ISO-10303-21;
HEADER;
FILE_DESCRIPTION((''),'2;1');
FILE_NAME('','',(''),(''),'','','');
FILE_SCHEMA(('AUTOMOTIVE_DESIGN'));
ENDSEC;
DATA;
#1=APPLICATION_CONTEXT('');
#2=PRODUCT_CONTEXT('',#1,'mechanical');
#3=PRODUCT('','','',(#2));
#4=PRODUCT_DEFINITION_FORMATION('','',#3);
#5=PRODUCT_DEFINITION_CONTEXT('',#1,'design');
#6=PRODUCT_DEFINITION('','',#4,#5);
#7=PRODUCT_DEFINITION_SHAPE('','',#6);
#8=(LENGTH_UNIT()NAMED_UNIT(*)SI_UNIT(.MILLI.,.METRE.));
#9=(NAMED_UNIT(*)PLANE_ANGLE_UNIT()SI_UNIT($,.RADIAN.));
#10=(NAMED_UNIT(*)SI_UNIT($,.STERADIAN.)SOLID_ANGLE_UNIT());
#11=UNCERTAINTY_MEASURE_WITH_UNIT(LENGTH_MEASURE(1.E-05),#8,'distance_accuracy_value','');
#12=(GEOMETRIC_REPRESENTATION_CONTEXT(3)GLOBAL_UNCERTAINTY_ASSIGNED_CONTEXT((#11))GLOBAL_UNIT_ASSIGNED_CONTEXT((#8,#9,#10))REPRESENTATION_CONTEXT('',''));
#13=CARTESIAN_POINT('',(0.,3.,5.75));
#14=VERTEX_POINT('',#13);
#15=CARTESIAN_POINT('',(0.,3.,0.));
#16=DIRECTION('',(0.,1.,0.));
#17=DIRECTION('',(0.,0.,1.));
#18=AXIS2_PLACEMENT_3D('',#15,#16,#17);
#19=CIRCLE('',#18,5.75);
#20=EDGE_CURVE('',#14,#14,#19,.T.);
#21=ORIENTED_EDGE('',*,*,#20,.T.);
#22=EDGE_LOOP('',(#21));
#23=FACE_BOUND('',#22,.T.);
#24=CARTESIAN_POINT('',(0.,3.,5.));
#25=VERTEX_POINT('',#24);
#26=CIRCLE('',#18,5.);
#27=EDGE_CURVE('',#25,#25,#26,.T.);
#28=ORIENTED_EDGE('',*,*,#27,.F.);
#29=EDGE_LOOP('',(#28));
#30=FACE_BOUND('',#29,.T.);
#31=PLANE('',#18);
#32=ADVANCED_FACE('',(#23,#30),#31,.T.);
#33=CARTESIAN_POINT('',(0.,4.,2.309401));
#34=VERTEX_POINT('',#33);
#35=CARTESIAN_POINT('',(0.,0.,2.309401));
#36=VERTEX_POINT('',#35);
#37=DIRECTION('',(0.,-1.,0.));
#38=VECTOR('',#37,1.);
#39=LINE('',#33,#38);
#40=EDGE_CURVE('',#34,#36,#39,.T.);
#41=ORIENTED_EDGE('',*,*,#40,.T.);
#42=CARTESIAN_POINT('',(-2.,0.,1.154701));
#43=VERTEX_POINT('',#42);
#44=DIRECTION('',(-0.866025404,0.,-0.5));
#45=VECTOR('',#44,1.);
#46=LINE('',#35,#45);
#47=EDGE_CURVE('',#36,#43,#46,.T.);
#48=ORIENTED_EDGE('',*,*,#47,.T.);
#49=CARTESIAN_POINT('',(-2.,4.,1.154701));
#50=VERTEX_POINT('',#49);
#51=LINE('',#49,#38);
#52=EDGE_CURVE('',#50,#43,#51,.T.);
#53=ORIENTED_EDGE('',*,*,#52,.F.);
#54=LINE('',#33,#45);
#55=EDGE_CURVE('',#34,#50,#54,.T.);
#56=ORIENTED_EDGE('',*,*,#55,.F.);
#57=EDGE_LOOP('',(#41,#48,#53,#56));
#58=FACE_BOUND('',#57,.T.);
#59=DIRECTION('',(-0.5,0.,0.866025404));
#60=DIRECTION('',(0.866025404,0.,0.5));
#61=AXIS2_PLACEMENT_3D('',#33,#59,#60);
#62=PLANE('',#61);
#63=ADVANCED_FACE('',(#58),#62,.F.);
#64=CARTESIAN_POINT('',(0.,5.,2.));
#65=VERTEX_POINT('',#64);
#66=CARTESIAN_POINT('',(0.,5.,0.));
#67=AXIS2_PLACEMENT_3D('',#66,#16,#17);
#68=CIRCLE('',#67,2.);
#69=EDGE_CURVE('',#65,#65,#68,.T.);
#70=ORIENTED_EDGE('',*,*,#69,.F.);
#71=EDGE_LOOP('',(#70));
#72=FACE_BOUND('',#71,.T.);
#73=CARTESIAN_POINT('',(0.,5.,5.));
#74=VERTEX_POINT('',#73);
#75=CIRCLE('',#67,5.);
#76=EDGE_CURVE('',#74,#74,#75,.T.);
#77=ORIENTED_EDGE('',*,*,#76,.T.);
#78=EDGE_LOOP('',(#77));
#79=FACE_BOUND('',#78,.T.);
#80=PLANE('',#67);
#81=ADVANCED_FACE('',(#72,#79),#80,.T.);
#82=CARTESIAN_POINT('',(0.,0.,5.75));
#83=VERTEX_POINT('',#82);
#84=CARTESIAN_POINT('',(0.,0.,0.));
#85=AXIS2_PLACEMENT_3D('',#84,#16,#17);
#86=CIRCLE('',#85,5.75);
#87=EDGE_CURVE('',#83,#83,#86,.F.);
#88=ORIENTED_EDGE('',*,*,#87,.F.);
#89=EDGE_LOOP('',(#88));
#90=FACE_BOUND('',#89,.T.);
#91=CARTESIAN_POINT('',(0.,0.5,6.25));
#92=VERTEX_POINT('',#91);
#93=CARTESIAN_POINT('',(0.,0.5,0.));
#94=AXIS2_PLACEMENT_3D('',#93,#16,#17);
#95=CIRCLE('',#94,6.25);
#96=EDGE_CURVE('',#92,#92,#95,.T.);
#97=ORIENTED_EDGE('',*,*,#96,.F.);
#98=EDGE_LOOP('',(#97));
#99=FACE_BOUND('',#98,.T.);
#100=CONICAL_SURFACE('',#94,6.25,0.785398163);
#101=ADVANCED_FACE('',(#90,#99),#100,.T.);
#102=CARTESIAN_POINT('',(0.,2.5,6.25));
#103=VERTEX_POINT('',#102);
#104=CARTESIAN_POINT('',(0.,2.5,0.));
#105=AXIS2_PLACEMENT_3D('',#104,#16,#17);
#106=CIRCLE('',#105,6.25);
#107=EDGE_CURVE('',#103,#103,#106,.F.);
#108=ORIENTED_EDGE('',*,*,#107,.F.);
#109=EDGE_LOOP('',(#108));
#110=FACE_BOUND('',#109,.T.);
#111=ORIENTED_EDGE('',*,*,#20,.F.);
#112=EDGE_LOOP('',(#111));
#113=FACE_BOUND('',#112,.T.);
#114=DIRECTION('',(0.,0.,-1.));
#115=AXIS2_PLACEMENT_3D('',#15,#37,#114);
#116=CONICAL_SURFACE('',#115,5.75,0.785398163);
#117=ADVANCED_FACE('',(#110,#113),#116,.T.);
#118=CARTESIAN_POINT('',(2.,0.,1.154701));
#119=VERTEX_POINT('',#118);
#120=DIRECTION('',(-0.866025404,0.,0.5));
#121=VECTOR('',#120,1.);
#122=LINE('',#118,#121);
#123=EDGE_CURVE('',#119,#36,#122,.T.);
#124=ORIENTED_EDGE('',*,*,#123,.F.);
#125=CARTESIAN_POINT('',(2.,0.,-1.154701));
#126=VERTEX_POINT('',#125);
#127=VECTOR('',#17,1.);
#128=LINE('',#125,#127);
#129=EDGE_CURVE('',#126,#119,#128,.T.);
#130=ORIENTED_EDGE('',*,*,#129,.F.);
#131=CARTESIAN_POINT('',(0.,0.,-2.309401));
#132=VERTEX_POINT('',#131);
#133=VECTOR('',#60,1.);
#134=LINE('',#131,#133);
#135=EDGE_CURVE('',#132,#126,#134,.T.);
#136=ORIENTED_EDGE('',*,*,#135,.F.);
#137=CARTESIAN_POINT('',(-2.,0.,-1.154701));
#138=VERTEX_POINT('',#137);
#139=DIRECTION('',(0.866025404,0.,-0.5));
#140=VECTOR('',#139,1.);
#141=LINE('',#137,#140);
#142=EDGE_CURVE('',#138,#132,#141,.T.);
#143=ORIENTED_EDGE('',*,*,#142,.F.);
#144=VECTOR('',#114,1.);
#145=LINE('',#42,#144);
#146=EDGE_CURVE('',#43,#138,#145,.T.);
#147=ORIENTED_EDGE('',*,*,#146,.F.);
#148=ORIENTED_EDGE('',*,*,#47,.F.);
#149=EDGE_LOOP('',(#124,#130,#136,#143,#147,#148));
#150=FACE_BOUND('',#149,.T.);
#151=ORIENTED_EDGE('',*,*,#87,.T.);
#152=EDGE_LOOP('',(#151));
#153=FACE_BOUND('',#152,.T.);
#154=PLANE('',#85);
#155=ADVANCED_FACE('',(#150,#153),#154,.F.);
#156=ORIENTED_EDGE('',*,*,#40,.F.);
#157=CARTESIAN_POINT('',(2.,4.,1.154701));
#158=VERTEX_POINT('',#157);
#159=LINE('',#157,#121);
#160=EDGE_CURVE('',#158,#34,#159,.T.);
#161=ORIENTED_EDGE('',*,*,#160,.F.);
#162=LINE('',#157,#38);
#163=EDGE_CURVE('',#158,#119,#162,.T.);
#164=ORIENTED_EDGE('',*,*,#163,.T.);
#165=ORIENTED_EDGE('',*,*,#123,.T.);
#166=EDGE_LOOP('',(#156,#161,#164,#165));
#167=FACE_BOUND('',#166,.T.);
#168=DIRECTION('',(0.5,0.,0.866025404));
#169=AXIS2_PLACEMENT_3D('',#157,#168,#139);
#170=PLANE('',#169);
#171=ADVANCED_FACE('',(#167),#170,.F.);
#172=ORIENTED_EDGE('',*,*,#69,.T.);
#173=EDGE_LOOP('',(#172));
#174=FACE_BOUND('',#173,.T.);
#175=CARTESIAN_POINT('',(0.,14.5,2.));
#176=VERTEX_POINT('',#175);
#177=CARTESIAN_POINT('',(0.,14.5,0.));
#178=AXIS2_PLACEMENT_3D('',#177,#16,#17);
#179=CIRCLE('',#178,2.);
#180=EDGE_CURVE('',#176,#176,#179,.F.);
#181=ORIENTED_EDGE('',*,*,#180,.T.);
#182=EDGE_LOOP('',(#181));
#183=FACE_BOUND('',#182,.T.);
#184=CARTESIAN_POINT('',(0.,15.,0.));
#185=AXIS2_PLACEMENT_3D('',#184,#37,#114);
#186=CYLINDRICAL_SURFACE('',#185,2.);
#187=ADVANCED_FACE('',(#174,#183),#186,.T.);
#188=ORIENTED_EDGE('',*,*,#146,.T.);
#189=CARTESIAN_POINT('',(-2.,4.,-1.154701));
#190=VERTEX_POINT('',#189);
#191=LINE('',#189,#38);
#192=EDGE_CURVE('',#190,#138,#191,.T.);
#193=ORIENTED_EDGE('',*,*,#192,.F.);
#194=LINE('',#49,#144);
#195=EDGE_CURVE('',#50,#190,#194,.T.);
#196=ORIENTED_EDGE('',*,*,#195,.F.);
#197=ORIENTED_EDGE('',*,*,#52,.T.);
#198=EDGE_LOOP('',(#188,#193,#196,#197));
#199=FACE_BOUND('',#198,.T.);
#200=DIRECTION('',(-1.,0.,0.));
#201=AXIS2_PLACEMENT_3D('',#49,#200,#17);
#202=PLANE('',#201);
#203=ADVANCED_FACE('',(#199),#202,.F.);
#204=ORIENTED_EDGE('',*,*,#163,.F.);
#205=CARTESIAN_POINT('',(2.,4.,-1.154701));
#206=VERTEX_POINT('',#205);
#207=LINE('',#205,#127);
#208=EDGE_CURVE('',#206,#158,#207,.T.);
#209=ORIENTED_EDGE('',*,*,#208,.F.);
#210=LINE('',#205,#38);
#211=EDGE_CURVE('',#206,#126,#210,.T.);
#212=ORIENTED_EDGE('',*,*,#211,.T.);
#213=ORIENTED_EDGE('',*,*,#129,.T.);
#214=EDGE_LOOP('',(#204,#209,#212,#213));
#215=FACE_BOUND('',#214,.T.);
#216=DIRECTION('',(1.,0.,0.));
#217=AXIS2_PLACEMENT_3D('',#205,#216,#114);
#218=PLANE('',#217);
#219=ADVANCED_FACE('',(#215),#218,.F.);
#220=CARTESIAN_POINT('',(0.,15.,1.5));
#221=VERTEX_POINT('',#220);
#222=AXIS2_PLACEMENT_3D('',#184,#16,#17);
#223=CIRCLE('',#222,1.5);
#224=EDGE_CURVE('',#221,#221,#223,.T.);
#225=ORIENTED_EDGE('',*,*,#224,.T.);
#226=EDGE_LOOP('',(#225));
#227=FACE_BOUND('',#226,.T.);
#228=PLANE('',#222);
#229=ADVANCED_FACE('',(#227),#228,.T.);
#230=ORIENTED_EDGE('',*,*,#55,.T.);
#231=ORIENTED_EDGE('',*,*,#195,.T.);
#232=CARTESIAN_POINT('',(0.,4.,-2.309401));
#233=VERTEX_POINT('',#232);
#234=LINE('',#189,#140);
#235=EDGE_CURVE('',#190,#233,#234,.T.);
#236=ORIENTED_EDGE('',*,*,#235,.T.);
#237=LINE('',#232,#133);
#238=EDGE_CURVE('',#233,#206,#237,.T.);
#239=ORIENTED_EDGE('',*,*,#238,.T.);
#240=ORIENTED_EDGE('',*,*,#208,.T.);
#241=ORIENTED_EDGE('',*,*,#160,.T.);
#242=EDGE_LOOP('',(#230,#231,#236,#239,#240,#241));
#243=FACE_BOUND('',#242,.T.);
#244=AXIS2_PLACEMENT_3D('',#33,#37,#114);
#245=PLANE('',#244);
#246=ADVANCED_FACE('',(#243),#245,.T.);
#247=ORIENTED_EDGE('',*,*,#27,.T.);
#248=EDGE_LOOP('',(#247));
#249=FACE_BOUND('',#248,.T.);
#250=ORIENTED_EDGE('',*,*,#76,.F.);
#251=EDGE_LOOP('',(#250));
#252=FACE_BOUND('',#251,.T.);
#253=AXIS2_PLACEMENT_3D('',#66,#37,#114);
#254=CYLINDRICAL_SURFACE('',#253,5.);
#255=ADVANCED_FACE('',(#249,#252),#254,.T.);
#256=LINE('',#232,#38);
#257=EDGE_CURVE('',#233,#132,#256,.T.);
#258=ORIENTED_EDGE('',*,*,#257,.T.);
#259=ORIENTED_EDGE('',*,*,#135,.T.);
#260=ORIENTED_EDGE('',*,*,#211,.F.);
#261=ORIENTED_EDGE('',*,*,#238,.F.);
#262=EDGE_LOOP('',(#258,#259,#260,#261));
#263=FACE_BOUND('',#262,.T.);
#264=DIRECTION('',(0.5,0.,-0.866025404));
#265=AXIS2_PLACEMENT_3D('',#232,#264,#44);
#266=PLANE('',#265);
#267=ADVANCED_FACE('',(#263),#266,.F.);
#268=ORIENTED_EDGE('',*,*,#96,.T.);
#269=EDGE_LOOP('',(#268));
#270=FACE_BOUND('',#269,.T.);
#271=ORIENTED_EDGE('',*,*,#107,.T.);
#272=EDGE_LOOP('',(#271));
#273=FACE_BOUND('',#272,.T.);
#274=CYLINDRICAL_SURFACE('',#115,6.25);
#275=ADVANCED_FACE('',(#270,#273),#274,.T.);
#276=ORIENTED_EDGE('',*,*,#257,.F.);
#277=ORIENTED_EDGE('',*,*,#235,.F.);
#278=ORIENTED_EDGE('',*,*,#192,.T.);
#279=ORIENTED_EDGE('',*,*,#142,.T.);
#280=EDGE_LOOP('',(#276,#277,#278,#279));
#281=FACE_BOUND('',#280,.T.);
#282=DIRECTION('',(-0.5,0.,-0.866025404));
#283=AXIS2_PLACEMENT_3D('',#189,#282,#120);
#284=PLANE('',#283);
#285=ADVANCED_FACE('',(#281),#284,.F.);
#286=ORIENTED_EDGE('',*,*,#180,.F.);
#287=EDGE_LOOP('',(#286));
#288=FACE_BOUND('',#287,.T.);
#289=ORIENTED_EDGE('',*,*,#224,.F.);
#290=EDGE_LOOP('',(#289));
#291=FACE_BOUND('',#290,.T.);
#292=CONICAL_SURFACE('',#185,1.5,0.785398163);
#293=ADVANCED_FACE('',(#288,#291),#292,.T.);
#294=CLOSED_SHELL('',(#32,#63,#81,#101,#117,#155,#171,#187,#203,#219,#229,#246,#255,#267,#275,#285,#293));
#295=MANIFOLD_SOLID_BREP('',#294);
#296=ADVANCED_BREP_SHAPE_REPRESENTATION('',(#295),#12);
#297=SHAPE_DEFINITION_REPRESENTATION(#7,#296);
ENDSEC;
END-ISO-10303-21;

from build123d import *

# Parameters (mm, degrees)
ESQUISSE1_R      = 6.25
EXTRUSION1_DEPTH = 3
ESQUISSE2_R      = 5
EXTRUSION2_DEPTH = 2
ESQUISSE3_R      = 2
EXTRUSION3_DEPTH = 10
CHANFREIN1_SIZE  = 0.5
CHANFREIN2_SIZE  = 0.5
EXTRUSION4_DEPTH = 4


with BuildPart() as part:
    # Esquisse1 → Extrusion1 (new body)
    with BuildSketch(Plane(origin=(0, 0, 0), x_dir=(1, 0, 0), z_dir=(0, 1, 0))):
        Circle(ESQUISSE1_R)
    extrude(amount=EXTRUSION1_DEPTH)

    # Esquisse2 → Extrusion2 (add)
    with BuildSketch(Plane(origin=(0, 3, 0), x_dir=(1, 0, 0), z_dir=(0, 1, 0))):
        Circle(ESQUISSE2_R)
    extrude(amount=EXTRUSION2_DEPTH)

    # Esquisse3 → Extrusion3 (add)
    with BuildSketch(Plane(origin=(0, 5, 0), x_dir=(1, 0, 0), z_dir=(0, 1, 0))):
        Circle(ESQUISSE3_R)
    extrude(amount=EXTRUSION3_DEPTH)

    # Chanfrein1
    chanfrein1_edges = [part.edges().sort_by_distance(p)[0] for p in [
        (-6.25, 0, 0),
        (-6.25, 3, 0),
    ]]
    chamfer(chanfrein1_edges, length=CHANFREIN1_SIZE)

    # Chanfrein2
    chanfrein2_edges = [part.edges().sort_by_distance(p)[0] for p in [
        (-2, 15, 0),
    ]]
    chamfer(chanfrein2_edges, length=CHANFREIN2_SIZE)

    # Esquisse4 → Extrusion4 (cut)
    with BuildSketch(Plane.XZ):
        Polygon((0, 2.309401077), (-2, 1.154700538), (-2, -1.154700538), (0, -2.309401077), (2, -1.154700538), (2, 1.154700538), align=None)
    extrude(amount=-EXTRUSION4_DEPTH, mode=Mode.SUBTRACT)


solid = part.part
